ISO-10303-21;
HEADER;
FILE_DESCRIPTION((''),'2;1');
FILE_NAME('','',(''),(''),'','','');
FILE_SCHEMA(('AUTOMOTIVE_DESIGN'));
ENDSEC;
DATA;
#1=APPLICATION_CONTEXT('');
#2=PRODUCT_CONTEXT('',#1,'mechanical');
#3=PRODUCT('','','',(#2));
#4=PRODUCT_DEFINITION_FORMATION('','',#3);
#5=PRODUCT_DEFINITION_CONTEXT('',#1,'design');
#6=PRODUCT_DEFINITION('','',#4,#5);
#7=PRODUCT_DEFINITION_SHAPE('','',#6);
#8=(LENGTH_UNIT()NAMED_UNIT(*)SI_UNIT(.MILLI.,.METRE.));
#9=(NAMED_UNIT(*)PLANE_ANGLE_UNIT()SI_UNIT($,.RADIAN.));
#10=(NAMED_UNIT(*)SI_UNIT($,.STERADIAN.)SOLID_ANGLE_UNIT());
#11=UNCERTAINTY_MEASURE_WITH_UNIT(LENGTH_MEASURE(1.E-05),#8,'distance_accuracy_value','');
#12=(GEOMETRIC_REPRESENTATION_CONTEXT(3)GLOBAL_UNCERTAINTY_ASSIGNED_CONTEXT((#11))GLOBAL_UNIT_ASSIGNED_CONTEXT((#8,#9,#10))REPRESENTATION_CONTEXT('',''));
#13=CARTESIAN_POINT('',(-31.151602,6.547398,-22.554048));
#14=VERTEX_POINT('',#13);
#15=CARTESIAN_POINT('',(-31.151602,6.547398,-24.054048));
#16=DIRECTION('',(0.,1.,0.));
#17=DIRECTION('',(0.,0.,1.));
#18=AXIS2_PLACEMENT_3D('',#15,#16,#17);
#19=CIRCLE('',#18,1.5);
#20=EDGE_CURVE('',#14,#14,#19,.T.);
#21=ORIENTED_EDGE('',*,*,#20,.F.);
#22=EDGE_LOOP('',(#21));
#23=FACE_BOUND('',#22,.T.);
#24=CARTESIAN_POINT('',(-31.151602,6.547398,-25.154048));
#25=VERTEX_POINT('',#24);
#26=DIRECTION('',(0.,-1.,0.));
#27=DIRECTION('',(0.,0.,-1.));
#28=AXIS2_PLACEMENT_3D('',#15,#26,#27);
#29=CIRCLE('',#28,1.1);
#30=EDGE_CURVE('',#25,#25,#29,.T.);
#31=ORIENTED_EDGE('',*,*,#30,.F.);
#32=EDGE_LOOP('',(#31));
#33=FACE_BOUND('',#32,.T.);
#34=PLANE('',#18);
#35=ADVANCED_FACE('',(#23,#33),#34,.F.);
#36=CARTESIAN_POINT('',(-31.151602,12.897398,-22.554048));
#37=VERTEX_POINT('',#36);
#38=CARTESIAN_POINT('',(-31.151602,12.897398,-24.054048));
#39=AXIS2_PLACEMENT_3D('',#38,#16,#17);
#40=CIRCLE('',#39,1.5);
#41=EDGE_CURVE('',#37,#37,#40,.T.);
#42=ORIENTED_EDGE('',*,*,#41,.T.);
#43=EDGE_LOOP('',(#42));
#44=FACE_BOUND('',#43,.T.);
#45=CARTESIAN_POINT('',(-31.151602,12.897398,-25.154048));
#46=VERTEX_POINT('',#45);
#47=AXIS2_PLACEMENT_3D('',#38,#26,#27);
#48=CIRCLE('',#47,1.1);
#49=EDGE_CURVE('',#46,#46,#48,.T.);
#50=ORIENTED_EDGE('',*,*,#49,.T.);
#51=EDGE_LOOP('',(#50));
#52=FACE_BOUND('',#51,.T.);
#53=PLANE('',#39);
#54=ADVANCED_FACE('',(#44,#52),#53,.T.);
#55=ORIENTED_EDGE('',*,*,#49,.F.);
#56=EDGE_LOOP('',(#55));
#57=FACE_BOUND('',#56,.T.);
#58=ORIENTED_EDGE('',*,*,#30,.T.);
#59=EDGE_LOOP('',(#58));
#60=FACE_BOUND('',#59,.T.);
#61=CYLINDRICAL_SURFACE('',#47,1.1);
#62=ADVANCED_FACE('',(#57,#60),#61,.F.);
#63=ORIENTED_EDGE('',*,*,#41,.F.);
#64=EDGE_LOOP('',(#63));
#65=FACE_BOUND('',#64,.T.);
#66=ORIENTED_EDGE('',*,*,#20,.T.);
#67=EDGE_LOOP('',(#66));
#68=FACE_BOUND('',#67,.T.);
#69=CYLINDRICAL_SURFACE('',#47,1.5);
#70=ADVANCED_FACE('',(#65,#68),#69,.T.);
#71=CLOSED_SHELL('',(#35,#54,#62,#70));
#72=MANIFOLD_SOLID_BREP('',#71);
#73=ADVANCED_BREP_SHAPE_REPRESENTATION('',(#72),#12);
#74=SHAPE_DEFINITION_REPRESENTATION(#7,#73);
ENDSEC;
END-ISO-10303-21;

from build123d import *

# Parameters (mm, degrees)
SKETCH1_R           = 1.5
BOSS_EXTRUDE1_DEPTH = 6.35
SKETCH2_R           = 1.1
CUT_EXTRUDE1_DEPTH  = 6.35


with BuildPart() as part:
    # Sketch1 → Boss-Extrude1 (new body)
    with BuildSketch(Plane(origin=(-40.828554295, 6.547397554, -7.314120173), x_dir=(1, 0, 0), z_dir=(0, 1, 0))):
        with Locations(Location((9.676951905, 16.739927597, 0), (0, 0, 270))):
            Circle(SKETCH1_R)
    extrude(amount=BOSS_EXTRUDE1_DEPTH)

    # Sketch2 → Cut-Extrude1 (cut)
    with BuildSketch(Plane(origin=(0, 6.547397554, 0), x_dir=(-1, 0, 0), z_dir=(0, -1, 0))):
        with Locations(Location((31.151602389, 24.054047769, 0), (0, 0, 90))):
            Circle(SKETCH2_R)
    extrude(amount=-CUT_EXTRUDE1_DEPTH, mode=Mode.SUBTRACT)


solid = part.part
